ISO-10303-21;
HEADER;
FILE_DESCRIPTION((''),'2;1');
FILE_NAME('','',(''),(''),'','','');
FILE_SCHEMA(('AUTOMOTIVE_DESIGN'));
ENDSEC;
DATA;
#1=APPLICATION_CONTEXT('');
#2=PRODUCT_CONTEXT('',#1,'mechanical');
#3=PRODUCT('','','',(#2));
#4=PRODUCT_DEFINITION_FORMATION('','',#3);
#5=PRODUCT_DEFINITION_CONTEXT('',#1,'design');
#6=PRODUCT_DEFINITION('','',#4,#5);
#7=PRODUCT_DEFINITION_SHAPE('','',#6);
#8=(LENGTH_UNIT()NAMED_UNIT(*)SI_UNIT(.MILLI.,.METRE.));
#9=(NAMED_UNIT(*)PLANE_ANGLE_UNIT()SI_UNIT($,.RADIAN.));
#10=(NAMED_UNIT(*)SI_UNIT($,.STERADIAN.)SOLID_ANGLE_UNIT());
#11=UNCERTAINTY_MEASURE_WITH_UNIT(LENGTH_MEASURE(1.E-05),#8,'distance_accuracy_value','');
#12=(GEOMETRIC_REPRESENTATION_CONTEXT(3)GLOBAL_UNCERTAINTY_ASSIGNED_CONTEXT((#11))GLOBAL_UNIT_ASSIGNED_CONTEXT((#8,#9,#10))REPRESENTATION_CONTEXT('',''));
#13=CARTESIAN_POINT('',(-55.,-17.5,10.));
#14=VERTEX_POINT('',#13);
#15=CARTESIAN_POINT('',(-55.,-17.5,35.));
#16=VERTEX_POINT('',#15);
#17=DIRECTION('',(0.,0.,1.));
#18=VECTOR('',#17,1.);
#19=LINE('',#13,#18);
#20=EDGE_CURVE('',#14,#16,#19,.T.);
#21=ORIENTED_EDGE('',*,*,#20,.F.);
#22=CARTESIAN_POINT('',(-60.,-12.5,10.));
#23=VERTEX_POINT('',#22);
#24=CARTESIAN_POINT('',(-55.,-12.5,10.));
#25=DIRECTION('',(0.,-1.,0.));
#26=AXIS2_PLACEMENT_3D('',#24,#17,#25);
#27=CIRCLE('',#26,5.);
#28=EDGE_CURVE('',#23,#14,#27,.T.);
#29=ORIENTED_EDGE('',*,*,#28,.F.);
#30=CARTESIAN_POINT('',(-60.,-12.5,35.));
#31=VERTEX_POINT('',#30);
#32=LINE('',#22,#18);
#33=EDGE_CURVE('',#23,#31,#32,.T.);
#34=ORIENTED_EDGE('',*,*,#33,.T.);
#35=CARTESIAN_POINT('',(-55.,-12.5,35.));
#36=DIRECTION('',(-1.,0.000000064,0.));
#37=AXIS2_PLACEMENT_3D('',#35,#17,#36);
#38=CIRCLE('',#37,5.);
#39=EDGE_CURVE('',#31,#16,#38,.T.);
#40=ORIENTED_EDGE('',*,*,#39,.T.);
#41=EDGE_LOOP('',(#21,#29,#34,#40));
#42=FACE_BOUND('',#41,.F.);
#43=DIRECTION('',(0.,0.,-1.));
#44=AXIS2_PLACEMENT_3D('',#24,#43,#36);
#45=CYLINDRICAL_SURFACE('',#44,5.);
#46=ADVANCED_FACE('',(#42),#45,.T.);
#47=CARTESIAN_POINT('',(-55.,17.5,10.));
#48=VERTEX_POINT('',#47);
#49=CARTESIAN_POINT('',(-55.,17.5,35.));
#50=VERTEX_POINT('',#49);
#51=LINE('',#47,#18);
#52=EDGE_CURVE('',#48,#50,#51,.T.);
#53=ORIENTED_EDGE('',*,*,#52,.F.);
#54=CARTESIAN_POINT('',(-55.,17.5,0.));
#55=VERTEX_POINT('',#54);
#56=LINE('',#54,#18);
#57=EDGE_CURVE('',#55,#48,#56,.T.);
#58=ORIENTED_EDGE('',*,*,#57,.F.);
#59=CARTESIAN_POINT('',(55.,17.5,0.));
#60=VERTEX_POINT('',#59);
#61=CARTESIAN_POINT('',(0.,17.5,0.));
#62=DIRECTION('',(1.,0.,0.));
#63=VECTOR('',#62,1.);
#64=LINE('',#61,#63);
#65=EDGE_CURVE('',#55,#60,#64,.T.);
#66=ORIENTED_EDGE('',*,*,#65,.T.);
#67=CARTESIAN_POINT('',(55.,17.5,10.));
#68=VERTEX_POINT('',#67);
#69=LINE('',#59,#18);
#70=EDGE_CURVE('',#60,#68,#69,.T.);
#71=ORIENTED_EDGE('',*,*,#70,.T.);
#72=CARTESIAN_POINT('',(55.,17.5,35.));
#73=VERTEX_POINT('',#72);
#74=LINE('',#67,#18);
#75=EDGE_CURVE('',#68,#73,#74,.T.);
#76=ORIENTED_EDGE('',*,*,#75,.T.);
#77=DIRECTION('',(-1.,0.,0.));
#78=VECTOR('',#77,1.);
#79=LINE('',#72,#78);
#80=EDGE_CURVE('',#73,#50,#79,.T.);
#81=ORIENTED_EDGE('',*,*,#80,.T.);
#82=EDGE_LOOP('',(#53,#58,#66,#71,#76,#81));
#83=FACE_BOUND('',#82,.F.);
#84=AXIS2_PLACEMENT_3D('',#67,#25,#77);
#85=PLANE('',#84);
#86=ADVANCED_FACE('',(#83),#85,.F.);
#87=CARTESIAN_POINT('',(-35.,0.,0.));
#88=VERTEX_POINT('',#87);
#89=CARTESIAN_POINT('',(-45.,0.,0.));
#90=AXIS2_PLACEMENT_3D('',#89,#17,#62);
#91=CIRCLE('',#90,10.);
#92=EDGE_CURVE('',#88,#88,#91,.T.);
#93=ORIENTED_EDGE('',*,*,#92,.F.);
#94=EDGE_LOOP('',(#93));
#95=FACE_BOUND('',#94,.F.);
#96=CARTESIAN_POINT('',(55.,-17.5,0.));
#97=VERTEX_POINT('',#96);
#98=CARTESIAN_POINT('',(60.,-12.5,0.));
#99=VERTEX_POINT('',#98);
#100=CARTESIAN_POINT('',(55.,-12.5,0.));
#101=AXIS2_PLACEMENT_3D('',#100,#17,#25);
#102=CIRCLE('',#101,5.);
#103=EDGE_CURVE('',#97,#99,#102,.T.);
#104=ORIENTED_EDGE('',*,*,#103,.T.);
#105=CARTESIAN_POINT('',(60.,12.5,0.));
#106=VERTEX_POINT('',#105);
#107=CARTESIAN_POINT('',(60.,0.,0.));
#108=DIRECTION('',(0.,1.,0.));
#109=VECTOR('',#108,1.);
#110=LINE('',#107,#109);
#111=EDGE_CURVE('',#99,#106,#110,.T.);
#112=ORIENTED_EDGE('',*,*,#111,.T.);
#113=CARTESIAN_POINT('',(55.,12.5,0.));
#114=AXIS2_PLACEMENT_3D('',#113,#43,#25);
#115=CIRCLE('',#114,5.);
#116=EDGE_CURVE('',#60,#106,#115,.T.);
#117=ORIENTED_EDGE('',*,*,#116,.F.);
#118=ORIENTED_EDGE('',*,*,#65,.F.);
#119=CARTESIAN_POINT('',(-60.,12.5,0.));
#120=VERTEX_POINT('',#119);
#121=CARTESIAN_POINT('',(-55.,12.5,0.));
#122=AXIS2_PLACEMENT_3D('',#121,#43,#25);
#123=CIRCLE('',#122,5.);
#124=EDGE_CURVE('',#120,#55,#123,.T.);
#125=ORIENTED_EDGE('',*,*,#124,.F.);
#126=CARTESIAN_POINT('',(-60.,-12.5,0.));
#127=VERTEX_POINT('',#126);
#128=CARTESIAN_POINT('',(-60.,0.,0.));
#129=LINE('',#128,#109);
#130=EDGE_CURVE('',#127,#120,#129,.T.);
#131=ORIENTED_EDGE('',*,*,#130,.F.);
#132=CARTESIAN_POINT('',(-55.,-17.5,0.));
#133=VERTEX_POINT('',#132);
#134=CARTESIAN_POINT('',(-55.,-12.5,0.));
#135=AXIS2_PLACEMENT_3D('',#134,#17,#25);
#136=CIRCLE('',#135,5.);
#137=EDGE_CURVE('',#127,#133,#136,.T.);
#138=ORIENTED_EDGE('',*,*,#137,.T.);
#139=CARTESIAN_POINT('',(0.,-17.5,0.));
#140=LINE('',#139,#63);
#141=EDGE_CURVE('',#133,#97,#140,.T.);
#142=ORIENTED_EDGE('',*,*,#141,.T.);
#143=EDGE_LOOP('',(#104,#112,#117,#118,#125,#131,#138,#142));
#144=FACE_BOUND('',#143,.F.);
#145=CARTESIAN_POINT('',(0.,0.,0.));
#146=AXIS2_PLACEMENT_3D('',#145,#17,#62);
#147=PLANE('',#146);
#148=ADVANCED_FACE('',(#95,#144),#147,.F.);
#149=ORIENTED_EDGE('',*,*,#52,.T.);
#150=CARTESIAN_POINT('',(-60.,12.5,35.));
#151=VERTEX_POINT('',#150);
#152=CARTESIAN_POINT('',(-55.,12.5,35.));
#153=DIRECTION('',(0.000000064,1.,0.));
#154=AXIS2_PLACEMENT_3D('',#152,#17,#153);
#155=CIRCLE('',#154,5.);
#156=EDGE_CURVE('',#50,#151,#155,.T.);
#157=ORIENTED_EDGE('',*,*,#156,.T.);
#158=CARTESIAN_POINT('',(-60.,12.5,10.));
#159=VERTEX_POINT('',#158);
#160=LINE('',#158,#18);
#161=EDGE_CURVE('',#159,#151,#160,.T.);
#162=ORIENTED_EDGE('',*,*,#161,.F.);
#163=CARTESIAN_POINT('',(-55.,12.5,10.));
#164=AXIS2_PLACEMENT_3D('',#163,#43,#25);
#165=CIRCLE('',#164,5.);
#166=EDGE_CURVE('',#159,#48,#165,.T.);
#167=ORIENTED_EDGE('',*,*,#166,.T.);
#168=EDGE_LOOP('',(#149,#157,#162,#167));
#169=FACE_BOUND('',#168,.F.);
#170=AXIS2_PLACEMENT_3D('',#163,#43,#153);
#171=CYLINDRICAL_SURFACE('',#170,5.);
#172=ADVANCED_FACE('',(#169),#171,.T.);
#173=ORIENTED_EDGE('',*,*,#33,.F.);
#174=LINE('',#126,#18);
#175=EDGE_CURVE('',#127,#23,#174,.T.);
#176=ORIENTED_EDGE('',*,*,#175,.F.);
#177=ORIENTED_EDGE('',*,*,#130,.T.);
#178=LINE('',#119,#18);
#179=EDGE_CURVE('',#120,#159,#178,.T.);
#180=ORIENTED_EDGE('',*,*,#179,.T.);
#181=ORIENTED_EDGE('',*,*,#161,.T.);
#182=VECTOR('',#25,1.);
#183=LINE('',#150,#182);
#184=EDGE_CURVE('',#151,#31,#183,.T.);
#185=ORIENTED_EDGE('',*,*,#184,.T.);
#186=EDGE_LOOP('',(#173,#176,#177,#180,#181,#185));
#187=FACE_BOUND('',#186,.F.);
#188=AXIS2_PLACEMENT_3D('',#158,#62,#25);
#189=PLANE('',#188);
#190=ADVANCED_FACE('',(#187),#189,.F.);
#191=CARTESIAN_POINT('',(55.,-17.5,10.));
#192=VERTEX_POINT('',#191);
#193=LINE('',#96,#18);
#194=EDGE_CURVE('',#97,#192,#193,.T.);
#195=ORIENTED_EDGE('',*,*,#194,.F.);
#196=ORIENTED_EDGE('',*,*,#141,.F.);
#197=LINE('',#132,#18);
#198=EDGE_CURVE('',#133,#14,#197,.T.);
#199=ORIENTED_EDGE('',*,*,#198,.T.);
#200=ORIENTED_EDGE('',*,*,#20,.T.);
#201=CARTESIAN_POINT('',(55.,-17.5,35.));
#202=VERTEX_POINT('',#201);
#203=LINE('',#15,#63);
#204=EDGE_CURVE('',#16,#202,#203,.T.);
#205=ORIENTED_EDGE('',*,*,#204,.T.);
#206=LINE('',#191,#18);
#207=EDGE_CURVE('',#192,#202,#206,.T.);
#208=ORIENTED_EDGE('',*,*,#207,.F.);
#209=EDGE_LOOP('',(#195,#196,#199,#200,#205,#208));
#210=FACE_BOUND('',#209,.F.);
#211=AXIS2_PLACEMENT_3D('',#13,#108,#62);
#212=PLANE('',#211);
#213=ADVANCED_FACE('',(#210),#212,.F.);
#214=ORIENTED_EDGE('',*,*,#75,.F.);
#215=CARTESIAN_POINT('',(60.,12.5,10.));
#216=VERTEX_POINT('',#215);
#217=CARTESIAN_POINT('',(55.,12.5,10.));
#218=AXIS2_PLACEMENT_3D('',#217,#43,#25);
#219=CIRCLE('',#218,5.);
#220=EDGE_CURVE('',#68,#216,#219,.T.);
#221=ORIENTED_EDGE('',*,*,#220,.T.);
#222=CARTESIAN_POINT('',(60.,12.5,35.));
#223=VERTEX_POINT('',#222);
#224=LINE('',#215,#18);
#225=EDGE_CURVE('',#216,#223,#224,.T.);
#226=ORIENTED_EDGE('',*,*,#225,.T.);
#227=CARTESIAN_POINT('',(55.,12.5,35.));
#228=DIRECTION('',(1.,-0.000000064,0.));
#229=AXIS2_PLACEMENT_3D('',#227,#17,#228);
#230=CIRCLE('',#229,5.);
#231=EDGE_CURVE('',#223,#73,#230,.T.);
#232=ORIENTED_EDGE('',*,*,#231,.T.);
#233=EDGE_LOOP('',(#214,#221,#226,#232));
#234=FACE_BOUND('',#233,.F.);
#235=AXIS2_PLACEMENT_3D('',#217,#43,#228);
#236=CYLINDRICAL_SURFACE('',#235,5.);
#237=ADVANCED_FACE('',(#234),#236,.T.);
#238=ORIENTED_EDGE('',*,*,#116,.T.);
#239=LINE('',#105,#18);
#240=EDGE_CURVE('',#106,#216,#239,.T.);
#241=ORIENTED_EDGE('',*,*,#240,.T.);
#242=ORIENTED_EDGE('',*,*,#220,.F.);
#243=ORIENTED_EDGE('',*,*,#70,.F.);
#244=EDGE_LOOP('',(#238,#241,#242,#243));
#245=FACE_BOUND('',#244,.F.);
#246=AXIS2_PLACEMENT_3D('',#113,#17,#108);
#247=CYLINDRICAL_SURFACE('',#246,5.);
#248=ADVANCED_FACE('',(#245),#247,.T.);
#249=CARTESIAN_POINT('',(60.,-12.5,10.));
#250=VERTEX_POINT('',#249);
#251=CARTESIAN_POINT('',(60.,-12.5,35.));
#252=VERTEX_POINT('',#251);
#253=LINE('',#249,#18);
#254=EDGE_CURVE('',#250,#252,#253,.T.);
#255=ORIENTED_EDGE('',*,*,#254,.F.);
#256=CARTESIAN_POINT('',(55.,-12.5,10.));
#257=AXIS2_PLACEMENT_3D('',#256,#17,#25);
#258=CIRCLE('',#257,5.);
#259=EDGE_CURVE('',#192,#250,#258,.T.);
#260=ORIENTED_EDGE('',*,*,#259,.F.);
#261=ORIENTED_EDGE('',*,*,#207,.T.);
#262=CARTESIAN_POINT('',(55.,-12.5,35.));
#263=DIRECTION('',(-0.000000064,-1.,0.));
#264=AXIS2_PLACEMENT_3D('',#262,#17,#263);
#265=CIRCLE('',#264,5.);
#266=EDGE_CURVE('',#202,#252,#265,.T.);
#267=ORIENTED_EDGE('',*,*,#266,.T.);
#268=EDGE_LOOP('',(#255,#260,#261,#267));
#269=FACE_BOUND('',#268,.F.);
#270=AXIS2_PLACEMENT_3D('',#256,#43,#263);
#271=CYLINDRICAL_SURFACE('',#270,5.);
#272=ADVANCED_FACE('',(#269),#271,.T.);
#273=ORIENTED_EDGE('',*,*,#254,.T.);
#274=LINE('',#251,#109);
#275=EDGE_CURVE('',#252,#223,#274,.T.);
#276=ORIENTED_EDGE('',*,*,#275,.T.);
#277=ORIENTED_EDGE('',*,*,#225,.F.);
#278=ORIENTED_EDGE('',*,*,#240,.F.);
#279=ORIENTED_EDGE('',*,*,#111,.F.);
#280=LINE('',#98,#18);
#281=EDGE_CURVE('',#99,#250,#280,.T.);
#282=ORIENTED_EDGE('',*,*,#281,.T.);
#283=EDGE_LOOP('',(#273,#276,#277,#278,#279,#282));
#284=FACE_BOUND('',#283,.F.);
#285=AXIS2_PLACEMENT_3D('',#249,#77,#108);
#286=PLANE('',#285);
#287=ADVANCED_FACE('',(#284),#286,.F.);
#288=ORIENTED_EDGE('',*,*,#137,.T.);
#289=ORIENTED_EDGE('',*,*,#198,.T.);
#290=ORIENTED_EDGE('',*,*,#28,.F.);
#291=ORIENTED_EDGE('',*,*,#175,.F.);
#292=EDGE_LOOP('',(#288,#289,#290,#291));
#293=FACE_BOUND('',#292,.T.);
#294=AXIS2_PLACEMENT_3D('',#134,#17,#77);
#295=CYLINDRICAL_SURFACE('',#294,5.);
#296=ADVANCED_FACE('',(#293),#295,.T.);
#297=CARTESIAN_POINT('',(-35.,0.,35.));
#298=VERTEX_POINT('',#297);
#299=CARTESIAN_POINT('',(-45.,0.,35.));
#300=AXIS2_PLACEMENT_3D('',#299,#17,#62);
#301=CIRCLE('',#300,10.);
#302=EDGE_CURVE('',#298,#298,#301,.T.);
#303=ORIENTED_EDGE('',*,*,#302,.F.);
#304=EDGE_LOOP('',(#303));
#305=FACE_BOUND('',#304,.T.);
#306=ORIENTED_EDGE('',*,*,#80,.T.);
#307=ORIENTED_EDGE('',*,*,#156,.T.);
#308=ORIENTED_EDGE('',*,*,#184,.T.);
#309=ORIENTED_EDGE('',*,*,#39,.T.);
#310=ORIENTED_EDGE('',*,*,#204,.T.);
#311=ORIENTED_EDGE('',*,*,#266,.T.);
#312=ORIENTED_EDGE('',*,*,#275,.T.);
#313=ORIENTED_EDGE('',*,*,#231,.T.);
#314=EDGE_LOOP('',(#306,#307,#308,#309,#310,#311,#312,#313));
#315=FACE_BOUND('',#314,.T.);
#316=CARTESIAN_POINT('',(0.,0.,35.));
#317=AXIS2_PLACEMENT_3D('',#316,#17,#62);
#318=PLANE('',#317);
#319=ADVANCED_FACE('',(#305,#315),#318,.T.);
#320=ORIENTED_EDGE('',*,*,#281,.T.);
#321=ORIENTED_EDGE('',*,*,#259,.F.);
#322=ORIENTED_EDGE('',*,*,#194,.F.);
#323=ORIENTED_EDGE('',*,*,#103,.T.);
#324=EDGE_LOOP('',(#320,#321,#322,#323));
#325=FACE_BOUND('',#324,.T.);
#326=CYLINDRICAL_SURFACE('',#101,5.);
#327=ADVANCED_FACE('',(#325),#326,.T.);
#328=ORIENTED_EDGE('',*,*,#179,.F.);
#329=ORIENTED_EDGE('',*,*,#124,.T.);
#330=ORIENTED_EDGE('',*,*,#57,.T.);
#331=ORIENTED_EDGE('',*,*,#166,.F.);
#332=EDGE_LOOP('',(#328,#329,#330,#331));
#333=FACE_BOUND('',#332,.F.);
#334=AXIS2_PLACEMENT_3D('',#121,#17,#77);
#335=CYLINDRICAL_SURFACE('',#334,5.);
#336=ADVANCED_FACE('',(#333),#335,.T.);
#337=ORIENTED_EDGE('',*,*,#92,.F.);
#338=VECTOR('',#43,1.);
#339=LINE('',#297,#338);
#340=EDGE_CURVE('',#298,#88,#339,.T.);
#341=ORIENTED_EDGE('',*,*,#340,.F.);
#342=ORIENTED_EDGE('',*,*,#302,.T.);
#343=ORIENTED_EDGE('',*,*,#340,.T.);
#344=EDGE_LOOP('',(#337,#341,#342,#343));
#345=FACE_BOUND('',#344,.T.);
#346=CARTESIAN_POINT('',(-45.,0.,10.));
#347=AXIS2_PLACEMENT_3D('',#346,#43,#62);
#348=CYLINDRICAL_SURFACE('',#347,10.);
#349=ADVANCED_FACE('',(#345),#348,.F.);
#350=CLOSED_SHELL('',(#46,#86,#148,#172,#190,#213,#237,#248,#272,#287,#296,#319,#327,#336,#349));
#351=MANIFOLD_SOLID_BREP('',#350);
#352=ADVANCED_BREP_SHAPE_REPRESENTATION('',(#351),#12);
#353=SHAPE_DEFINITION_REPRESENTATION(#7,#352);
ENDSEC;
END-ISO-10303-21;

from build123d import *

# Parameters (mm, degrees)
F0_W     = 120
F0_H     = 35
F0_R     = 10
F1_DEPTH = 10
F2_R     = 5
F3_R     = 10
F4_DEPTH = 25


with BuildPart() as f1:
    # F0 (on Top) → F1 (new body)
    with BuildSketch(Plane.XY):
        Rectangle(F0_W, F0_H)
        with Locations((-45, 0)):
            Circle(F0_R, mode=Mode.SUBTRACT)
    extrude(amount=F1_DEPTH)

    # F2
    f2_edges = [f1.edges().sort_by_distance(p)[0] for p in [
        (-60, -17.5, 5),
        (60, -17.5, 5),
        (60, 17.5, 5),
        (-60, 17.5, 5),
    ]]
    fillet(f2_edges, radius=F2_R)

    # F3 (on face) → F4 (join)
    with BuildSketch(Plane.XY.offset(10)):
        with BuildLine():
            ThreePointArc((55, -17.5), (58.535534, -16.035534), (60, -12.5))
            Line((60, -12.5), (60, 12.5))
            ThreePointArc((60, 12.5), (58.535534, 16.035534), (55, 17.5))
            Line((55, 17.5), (-55, 17.5))
            ThreePointArc((-55, 17.5), (-58.535534, 16.035534), (-60, 12.5))
            Line((-60, 12.5), (-60, -12.5))
            ThreePointArc((-60, -12.5), (-58.535534, -16.035534), (-55, -17.5))
            Line((-55, -17.5), (55, -17.5))
        make_face()
        with Locations((-45, 0)):
            Circle(F3_R, mode=Mode.SUBTRACT)
    extrude(amount=F4_DEPTH)


solid = f1.part
